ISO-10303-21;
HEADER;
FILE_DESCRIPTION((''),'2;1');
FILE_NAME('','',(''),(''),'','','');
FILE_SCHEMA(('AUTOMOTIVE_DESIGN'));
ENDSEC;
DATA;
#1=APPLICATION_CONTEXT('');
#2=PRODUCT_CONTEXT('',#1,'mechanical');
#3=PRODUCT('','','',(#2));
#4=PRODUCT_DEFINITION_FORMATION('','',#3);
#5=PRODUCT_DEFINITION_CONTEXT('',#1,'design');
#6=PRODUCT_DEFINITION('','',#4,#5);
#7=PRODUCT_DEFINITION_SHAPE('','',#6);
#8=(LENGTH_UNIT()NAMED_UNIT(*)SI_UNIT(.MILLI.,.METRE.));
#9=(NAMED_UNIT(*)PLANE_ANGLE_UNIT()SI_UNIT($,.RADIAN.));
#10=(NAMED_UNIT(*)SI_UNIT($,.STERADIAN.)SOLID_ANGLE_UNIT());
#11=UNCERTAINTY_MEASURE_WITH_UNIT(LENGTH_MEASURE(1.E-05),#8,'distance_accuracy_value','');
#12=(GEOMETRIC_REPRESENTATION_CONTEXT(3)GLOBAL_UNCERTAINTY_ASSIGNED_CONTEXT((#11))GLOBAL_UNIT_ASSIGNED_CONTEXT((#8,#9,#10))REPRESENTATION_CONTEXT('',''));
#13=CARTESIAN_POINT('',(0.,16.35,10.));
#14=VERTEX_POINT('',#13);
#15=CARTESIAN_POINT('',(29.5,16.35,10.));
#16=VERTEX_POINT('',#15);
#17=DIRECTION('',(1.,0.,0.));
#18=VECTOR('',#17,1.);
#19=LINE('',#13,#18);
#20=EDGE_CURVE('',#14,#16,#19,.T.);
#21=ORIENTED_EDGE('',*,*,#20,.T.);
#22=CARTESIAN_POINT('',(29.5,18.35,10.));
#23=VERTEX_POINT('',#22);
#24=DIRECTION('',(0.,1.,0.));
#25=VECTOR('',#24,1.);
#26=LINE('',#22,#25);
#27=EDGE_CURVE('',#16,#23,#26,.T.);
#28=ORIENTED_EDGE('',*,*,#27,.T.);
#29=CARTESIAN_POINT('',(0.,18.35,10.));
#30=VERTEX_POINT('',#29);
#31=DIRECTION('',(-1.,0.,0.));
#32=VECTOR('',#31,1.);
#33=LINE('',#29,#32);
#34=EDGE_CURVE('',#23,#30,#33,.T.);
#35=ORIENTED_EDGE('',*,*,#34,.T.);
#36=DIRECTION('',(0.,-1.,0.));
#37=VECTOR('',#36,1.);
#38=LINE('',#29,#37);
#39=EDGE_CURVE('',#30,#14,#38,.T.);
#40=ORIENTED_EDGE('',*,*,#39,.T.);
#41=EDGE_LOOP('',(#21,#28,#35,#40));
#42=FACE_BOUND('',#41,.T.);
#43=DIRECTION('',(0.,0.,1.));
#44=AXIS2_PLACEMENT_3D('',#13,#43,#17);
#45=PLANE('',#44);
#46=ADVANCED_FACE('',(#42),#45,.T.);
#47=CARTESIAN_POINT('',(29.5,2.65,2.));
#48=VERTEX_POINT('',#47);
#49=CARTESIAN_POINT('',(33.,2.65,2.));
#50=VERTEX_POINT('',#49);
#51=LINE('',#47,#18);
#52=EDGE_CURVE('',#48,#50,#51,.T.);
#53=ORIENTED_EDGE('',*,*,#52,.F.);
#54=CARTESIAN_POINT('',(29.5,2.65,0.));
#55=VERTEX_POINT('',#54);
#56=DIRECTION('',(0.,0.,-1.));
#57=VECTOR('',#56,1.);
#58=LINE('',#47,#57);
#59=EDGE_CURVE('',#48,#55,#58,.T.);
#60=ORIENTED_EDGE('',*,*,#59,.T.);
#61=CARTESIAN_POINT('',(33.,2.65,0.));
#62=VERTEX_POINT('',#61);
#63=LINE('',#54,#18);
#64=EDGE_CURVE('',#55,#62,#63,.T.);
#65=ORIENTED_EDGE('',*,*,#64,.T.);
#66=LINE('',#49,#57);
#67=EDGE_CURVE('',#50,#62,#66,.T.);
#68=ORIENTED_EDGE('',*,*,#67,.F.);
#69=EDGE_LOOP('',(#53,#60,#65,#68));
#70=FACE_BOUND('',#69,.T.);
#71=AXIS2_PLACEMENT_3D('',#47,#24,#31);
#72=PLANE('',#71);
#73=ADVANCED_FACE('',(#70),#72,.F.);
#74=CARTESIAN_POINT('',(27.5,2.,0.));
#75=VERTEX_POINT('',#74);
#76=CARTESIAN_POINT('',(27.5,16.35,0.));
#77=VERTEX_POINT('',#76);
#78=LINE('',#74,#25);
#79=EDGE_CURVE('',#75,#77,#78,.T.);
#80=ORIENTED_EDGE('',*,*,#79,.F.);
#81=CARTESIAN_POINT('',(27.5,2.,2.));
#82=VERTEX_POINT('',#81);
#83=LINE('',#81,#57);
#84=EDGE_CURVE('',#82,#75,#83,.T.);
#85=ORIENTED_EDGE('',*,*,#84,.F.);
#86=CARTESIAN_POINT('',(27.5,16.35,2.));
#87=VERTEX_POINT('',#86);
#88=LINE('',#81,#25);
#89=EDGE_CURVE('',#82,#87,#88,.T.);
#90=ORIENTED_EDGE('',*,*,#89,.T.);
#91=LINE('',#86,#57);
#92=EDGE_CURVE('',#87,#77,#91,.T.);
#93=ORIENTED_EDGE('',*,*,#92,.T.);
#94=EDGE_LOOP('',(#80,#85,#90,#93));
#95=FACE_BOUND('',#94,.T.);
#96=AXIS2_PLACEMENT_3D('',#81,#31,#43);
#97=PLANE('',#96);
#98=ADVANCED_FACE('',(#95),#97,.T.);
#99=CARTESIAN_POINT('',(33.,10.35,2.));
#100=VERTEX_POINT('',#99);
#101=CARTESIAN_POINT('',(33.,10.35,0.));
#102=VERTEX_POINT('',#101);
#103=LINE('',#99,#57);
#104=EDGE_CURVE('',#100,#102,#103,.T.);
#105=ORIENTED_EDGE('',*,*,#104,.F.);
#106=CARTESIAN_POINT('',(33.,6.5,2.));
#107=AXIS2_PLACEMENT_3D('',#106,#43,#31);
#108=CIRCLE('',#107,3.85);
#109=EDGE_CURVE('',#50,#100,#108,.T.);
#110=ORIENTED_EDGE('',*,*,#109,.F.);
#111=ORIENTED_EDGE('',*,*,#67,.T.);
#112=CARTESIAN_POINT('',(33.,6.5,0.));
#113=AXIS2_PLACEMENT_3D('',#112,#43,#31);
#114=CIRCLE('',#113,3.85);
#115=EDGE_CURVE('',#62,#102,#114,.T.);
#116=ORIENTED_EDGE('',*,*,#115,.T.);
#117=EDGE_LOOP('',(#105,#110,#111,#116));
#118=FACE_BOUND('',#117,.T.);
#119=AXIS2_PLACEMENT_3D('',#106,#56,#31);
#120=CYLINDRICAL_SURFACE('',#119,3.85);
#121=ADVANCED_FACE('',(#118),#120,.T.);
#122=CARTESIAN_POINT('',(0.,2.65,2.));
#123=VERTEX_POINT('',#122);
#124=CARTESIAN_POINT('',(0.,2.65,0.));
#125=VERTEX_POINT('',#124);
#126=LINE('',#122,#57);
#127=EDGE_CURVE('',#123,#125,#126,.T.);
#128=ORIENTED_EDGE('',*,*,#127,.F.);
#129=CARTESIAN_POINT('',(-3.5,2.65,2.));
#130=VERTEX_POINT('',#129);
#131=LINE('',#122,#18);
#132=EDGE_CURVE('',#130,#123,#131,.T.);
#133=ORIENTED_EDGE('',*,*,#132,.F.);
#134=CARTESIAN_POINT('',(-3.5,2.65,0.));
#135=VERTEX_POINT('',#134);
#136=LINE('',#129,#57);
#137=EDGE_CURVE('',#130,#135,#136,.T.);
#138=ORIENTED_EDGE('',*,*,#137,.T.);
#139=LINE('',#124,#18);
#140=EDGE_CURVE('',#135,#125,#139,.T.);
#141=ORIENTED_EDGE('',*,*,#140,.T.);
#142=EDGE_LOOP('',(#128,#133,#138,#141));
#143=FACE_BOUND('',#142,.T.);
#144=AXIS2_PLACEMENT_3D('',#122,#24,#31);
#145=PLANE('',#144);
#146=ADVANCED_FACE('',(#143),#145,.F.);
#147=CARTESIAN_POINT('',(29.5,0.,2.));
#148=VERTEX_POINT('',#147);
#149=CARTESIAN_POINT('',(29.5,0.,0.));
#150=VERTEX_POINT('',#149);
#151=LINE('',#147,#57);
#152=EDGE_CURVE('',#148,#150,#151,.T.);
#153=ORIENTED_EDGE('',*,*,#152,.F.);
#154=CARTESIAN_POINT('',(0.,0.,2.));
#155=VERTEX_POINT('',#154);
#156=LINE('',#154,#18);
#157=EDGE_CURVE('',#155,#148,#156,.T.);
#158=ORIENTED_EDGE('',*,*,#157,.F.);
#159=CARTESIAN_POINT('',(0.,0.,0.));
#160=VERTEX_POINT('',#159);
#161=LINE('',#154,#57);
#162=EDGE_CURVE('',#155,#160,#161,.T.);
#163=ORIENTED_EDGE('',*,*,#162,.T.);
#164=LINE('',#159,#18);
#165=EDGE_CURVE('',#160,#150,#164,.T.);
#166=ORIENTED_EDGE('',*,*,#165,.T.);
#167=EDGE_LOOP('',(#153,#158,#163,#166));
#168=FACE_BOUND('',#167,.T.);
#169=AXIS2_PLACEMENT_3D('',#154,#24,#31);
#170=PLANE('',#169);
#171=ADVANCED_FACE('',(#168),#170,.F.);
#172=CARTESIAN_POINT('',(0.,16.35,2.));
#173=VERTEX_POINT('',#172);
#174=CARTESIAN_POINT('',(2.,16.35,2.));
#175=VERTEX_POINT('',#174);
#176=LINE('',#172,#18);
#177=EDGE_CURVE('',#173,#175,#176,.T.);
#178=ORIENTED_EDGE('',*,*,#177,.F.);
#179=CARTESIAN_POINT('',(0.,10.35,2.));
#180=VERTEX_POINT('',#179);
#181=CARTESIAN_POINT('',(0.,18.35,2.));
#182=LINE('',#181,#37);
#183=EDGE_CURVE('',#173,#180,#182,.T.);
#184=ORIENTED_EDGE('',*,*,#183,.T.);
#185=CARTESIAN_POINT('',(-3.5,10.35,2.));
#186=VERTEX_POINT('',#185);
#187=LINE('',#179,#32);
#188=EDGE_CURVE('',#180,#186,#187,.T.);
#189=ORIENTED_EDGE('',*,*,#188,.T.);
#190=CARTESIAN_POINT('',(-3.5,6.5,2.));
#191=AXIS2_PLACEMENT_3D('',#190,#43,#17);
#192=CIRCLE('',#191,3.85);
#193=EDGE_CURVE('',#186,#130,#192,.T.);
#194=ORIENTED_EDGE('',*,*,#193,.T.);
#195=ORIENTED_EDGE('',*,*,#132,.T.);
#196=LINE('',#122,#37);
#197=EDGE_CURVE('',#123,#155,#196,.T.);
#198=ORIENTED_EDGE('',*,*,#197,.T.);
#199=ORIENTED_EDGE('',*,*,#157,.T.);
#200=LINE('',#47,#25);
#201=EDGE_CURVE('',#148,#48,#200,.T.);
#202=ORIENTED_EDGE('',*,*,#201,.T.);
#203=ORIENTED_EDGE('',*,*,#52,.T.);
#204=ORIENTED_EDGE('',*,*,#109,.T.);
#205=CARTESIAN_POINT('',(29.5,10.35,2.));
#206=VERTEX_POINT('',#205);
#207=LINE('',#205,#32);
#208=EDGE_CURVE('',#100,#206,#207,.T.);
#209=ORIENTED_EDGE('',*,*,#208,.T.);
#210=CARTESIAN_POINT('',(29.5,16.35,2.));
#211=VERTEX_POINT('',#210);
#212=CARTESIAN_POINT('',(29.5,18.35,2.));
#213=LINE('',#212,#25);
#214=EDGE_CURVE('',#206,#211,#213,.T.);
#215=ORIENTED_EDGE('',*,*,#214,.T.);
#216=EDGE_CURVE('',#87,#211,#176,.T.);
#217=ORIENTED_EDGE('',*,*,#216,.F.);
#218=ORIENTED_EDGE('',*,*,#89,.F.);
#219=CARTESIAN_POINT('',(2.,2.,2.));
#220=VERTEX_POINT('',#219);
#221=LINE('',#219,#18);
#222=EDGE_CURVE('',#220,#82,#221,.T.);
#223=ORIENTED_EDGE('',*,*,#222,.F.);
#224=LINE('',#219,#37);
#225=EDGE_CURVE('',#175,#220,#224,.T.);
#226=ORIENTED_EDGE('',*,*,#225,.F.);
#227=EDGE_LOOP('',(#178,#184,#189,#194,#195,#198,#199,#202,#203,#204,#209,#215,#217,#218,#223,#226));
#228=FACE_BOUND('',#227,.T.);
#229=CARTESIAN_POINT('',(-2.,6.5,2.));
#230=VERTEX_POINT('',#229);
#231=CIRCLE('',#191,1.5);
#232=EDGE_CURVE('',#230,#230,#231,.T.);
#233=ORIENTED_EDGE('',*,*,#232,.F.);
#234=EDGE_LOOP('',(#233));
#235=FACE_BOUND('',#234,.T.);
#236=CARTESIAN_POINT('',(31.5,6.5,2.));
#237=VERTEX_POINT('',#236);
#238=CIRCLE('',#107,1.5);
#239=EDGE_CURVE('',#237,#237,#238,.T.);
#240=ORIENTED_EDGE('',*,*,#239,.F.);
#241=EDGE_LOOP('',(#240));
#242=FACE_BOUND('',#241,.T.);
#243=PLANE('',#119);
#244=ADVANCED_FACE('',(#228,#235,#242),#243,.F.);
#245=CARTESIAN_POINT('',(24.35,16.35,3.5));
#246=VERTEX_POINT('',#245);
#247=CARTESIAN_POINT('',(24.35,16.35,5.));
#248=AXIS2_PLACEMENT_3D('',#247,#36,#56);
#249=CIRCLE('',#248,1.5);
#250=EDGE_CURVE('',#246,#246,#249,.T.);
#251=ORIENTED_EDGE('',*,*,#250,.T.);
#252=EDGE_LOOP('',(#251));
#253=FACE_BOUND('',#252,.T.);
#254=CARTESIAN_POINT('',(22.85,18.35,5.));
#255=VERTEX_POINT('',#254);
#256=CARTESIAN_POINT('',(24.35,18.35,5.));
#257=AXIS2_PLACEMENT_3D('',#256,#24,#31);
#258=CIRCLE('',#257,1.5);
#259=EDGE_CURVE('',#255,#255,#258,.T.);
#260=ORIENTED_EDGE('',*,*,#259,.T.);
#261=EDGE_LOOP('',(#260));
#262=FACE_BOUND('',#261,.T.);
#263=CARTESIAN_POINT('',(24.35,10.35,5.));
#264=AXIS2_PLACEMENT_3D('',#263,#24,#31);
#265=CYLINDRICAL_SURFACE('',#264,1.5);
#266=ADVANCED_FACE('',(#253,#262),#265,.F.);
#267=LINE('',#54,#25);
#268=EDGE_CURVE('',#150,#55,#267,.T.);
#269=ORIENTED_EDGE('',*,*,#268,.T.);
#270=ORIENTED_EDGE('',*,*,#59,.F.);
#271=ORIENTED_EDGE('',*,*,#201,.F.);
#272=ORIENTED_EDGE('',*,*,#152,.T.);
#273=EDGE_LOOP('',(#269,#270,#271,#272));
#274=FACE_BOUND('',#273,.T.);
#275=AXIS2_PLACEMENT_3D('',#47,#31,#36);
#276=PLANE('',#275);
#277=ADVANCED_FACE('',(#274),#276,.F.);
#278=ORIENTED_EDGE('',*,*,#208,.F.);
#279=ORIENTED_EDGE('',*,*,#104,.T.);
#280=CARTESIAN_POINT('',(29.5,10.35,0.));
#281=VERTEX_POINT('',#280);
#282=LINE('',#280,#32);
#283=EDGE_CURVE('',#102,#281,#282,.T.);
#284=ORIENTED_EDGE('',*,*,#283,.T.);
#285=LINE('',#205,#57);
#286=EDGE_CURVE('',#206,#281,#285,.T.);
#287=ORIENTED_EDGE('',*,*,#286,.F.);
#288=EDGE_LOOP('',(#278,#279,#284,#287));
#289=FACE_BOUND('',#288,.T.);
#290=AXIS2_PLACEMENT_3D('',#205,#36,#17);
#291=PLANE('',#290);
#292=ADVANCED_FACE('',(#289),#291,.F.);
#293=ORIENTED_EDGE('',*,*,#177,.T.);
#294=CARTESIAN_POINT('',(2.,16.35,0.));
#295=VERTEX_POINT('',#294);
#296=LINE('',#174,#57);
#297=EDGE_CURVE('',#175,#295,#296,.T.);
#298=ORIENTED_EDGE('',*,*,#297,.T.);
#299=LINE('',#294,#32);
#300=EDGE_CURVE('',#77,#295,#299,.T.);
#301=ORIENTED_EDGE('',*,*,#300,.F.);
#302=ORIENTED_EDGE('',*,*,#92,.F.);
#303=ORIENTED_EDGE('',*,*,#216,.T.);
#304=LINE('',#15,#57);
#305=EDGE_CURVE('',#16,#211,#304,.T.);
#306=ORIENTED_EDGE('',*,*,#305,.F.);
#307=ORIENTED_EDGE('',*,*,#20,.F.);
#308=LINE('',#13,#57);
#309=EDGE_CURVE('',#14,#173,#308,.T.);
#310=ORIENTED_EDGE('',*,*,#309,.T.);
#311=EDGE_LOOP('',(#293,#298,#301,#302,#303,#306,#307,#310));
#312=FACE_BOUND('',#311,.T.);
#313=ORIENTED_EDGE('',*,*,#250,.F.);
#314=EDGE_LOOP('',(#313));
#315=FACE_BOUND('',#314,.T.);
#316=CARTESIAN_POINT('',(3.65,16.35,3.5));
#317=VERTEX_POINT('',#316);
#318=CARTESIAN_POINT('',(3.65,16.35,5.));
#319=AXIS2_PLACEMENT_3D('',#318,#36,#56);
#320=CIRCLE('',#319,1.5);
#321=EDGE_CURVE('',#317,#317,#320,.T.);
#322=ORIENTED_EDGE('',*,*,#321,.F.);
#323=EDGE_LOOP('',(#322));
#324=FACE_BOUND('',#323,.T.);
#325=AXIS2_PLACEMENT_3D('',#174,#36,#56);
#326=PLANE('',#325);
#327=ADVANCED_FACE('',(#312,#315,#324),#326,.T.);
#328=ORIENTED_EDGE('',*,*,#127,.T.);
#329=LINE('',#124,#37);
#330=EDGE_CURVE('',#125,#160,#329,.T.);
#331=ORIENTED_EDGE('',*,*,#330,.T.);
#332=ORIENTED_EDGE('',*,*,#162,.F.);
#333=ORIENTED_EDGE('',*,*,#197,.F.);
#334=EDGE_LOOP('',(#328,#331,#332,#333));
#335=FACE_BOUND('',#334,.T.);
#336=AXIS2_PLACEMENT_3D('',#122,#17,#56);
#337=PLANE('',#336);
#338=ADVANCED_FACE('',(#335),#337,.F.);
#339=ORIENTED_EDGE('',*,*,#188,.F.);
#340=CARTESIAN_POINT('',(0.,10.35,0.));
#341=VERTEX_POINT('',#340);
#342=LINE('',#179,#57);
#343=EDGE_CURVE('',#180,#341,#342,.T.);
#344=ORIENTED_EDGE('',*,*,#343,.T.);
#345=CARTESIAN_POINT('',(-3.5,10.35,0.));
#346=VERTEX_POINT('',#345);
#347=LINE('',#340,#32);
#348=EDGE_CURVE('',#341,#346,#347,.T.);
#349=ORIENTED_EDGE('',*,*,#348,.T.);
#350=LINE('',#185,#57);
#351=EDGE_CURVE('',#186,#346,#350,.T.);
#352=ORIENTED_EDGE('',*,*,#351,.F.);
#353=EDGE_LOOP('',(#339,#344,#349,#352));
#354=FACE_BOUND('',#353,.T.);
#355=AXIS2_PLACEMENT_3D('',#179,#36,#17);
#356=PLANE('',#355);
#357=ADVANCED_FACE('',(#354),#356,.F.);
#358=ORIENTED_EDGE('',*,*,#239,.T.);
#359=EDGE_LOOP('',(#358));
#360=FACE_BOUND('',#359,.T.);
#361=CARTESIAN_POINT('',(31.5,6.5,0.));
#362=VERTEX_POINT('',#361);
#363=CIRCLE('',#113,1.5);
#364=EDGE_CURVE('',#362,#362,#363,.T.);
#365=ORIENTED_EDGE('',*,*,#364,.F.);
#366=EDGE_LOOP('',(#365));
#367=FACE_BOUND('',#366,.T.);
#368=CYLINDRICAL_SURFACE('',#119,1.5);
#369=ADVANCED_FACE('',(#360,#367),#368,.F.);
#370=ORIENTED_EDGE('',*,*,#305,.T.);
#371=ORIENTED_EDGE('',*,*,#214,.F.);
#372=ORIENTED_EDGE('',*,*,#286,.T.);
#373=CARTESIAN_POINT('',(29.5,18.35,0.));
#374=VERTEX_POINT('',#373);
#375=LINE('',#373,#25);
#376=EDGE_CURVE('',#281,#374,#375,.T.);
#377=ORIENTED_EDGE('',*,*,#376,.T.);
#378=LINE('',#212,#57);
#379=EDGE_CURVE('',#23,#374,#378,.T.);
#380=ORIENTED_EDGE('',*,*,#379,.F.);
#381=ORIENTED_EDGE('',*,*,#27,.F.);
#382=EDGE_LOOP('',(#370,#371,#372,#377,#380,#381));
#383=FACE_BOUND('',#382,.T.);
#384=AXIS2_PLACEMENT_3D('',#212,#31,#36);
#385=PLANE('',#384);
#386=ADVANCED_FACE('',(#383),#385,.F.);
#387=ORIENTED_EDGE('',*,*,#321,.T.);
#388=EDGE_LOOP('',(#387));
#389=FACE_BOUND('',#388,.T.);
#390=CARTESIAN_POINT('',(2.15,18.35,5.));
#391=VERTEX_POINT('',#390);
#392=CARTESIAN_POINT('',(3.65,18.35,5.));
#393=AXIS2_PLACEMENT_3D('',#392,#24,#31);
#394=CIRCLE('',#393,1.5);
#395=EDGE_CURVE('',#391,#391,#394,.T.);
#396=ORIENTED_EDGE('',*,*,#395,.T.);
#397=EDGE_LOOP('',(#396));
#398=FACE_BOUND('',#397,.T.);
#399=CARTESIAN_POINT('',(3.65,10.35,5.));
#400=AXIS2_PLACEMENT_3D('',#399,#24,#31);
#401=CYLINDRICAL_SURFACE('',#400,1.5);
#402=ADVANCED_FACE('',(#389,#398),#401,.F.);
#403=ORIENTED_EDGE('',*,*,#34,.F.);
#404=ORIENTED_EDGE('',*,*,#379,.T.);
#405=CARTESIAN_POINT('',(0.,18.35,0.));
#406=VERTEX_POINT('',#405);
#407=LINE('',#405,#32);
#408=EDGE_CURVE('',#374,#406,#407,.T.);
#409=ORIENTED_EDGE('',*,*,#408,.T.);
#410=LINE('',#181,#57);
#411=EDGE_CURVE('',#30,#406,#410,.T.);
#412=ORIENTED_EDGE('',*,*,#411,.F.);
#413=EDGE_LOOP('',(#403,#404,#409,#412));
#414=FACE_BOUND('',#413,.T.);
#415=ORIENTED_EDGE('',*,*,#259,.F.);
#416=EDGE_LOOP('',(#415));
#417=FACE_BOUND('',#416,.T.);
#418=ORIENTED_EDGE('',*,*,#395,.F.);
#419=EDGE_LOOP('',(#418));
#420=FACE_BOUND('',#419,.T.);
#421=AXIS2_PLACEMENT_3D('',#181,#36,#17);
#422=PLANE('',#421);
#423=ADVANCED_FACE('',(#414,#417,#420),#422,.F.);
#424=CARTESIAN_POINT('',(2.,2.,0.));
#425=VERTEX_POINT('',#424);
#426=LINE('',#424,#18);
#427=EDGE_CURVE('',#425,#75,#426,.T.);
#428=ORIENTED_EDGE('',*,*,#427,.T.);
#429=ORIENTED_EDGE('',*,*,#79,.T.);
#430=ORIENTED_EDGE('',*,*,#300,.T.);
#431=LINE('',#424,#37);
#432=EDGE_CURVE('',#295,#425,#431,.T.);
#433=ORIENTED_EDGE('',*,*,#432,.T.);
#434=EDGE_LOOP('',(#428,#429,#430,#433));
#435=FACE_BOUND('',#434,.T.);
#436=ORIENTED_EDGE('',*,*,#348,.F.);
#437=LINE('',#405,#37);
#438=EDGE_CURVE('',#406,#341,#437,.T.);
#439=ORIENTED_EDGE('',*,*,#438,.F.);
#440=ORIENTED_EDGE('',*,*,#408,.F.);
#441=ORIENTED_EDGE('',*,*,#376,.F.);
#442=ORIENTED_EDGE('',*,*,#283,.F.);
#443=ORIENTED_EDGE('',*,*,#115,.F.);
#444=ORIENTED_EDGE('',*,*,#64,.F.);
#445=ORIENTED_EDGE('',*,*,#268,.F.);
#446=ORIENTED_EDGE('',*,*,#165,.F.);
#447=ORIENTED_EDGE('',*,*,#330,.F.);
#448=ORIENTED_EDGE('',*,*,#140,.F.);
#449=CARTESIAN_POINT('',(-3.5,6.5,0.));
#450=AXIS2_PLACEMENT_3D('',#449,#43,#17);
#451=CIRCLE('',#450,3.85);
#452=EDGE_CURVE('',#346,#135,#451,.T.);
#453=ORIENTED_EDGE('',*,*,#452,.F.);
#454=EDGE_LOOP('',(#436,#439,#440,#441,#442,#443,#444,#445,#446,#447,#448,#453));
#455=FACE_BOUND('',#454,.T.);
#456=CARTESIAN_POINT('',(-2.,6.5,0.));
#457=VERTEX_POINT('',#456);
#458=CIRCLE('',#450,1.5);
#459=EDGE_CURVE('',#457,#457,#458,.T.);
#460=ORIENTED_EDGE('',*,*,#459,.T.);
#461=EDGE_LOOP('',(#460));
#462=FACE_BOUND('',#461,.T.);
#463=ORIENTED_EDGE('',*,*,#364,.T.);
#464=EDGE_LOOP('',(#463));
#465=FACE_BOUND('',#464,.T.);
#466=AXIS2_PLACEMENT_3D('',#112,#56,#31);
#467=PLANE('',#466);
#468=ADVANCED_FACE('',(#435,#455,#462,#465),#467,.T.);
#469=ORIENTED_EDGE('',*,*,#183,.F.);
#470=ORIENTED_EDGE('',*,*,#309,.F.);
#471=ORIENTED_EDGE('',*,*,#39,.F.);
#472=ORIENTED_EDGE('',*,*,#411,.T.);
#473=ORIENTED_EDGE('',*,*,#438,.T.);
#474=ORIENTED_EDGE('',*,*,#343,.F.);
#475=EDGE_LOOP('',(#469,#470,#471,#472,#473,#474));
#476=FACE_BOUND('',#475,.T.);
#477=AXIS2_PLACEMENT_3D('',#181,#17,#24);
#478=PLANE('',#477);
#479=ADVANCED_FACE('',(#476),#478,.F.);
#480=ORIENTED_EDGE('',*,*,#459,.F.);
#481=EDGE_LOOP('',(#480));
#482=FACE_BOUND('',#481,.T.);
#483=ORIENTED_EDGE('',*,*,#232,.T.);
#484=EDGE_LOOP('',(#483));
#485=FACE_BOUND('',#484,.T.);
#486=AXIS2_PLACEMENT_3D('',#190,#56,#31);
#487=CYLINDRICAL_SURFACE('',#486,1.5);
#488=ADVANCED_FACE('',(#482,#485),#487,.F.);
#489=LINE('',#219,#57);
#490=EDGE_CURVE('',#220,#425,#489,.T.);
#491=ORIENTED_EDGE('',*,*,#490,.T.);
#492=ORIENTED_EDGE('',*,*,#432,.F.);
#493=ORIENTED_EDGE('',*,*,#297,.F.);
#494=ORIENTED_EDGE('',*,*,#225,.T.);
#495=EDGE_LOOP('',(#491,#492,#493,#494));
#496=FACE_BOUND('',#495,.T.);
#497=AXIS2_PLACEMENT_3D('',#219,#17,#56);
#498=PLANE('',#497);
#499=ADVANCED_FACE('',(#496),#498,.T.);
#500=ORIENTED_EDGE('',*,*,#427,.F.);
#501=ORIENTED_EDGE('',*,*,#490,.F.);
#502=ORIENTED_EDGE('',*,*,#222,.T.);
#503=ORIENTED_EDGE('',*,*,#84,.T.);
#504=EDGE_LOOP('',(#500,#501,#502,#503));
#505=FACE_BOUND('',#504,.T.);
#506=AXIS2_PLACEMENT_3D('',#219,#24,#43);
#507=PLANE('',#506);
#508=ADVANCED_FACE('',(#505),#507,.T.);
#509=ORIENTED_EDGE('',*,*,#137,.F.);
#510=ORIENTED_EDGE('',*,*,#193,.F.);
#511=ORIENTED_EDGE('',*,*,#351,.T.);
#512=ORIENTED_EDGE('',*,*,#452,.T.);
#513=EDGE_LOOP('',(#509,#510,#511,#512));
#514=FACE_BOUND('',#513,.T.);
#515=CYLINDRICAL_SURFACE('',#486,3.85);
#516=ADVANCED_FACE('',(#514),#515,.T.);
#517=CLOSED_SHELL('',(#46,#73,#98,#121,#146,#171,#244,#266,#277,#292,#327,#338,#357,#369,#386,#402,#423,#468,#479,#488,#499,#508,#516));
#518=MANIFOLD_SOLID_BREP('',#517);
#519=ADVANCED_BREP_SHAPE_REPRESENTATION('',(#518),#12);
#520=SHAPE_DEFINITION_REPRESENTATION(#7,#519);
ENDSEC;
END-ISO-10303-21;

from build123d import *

# Parameters (mm, degrees)
SKETCH1_R           = 1.5
SKETCH1_W           = 25.5
SKETCH1_H           = 14.35
BOSS_EXTRUDE1_DEPTH = 2
SKETCH2_W           = 29.5
SKETCH2_H           = 2
BOSS_EXTRUDE2_DEPTH = 8
SKETCH3_R           = 1.5
CUT_EXTRUDE1_DEPTH  = 8


with BuildPart() as part:
    # Sketch1 → Boss-Extrude1 (new body)
    with BuildSketch(Plane.XY):
        with BuildLine():
            Line((0, 18.35), (0, 10.35))
            Line((0, 10.35), (-3.5, 10.35))
            ThreePointArc((-3.5, 10.35), (-7.35, 6.5), (-3.5, 2.65))
            Line((-3.5, 2.65), (0, 2.65))
            Line((0, 2.65), (0, 0))
            Line((0, 0), (29.5, 0))
            Line((29.5, 0), (29.5, 2.65))
            Line((29.5, 2.65), (33, 2.65))
            ThreePointArc((33, 2.65), (36.85, 6.5), (33, 10.35))
            Line((33, 10.35), (29.5, 10.35))
            Line((29.5, 10.35), (29.5, 18.35))
            Line((29.5, 18.35), (0, 18.35))
        make_face()
        with Locations((-3.5, 6.5)):
            Circle(SKETCH1_R, mode=Mode.SUBTRACT)
        with Locations(Location((33, 6.5, 0), (0, 0, 180))):
            Circle(SKETCH1_R, mode=Mode.SUBTRACT)
        with Locations((14.75, 9.175)):
            Rectangle(SKETCH1_W, SKETCH1_H, mode=Mode.SUBTRACT)
    extrude(amount=BOSS_EXTRUDE1_DEPTH)

    # Sketch2 → Boss-Extrude2 (add)
    with BuildSketch(Plane.XY.offset(2)):
        with Locations((14.75, 17.35)):
            Rectangle(SKETCH2_W, SKETCH2_H)
    extrude(amount=BOSS_EXTRUDE2_DEPTH)

    # Sketch3 → Cut-Extrude1 (cut)
    with BuildSketch(Plane(origin=(0, 18.35, 0), x_dir=(1, 0, 0), z_dir=(0, 1, 0))):
        with Locations(Location((3.65, -5, 0), (0, 0, 180))):
            Circle(SKETCH3_R)
        with Locations(Location((24.35, -5, 0), (0, 0, 180))):
            Circle(SKETCH3_R)
    extrude(amount=-CUT_EXTRUDE1_DEPTH, mode=Mode.SUBTRACT)


solid = part.part
